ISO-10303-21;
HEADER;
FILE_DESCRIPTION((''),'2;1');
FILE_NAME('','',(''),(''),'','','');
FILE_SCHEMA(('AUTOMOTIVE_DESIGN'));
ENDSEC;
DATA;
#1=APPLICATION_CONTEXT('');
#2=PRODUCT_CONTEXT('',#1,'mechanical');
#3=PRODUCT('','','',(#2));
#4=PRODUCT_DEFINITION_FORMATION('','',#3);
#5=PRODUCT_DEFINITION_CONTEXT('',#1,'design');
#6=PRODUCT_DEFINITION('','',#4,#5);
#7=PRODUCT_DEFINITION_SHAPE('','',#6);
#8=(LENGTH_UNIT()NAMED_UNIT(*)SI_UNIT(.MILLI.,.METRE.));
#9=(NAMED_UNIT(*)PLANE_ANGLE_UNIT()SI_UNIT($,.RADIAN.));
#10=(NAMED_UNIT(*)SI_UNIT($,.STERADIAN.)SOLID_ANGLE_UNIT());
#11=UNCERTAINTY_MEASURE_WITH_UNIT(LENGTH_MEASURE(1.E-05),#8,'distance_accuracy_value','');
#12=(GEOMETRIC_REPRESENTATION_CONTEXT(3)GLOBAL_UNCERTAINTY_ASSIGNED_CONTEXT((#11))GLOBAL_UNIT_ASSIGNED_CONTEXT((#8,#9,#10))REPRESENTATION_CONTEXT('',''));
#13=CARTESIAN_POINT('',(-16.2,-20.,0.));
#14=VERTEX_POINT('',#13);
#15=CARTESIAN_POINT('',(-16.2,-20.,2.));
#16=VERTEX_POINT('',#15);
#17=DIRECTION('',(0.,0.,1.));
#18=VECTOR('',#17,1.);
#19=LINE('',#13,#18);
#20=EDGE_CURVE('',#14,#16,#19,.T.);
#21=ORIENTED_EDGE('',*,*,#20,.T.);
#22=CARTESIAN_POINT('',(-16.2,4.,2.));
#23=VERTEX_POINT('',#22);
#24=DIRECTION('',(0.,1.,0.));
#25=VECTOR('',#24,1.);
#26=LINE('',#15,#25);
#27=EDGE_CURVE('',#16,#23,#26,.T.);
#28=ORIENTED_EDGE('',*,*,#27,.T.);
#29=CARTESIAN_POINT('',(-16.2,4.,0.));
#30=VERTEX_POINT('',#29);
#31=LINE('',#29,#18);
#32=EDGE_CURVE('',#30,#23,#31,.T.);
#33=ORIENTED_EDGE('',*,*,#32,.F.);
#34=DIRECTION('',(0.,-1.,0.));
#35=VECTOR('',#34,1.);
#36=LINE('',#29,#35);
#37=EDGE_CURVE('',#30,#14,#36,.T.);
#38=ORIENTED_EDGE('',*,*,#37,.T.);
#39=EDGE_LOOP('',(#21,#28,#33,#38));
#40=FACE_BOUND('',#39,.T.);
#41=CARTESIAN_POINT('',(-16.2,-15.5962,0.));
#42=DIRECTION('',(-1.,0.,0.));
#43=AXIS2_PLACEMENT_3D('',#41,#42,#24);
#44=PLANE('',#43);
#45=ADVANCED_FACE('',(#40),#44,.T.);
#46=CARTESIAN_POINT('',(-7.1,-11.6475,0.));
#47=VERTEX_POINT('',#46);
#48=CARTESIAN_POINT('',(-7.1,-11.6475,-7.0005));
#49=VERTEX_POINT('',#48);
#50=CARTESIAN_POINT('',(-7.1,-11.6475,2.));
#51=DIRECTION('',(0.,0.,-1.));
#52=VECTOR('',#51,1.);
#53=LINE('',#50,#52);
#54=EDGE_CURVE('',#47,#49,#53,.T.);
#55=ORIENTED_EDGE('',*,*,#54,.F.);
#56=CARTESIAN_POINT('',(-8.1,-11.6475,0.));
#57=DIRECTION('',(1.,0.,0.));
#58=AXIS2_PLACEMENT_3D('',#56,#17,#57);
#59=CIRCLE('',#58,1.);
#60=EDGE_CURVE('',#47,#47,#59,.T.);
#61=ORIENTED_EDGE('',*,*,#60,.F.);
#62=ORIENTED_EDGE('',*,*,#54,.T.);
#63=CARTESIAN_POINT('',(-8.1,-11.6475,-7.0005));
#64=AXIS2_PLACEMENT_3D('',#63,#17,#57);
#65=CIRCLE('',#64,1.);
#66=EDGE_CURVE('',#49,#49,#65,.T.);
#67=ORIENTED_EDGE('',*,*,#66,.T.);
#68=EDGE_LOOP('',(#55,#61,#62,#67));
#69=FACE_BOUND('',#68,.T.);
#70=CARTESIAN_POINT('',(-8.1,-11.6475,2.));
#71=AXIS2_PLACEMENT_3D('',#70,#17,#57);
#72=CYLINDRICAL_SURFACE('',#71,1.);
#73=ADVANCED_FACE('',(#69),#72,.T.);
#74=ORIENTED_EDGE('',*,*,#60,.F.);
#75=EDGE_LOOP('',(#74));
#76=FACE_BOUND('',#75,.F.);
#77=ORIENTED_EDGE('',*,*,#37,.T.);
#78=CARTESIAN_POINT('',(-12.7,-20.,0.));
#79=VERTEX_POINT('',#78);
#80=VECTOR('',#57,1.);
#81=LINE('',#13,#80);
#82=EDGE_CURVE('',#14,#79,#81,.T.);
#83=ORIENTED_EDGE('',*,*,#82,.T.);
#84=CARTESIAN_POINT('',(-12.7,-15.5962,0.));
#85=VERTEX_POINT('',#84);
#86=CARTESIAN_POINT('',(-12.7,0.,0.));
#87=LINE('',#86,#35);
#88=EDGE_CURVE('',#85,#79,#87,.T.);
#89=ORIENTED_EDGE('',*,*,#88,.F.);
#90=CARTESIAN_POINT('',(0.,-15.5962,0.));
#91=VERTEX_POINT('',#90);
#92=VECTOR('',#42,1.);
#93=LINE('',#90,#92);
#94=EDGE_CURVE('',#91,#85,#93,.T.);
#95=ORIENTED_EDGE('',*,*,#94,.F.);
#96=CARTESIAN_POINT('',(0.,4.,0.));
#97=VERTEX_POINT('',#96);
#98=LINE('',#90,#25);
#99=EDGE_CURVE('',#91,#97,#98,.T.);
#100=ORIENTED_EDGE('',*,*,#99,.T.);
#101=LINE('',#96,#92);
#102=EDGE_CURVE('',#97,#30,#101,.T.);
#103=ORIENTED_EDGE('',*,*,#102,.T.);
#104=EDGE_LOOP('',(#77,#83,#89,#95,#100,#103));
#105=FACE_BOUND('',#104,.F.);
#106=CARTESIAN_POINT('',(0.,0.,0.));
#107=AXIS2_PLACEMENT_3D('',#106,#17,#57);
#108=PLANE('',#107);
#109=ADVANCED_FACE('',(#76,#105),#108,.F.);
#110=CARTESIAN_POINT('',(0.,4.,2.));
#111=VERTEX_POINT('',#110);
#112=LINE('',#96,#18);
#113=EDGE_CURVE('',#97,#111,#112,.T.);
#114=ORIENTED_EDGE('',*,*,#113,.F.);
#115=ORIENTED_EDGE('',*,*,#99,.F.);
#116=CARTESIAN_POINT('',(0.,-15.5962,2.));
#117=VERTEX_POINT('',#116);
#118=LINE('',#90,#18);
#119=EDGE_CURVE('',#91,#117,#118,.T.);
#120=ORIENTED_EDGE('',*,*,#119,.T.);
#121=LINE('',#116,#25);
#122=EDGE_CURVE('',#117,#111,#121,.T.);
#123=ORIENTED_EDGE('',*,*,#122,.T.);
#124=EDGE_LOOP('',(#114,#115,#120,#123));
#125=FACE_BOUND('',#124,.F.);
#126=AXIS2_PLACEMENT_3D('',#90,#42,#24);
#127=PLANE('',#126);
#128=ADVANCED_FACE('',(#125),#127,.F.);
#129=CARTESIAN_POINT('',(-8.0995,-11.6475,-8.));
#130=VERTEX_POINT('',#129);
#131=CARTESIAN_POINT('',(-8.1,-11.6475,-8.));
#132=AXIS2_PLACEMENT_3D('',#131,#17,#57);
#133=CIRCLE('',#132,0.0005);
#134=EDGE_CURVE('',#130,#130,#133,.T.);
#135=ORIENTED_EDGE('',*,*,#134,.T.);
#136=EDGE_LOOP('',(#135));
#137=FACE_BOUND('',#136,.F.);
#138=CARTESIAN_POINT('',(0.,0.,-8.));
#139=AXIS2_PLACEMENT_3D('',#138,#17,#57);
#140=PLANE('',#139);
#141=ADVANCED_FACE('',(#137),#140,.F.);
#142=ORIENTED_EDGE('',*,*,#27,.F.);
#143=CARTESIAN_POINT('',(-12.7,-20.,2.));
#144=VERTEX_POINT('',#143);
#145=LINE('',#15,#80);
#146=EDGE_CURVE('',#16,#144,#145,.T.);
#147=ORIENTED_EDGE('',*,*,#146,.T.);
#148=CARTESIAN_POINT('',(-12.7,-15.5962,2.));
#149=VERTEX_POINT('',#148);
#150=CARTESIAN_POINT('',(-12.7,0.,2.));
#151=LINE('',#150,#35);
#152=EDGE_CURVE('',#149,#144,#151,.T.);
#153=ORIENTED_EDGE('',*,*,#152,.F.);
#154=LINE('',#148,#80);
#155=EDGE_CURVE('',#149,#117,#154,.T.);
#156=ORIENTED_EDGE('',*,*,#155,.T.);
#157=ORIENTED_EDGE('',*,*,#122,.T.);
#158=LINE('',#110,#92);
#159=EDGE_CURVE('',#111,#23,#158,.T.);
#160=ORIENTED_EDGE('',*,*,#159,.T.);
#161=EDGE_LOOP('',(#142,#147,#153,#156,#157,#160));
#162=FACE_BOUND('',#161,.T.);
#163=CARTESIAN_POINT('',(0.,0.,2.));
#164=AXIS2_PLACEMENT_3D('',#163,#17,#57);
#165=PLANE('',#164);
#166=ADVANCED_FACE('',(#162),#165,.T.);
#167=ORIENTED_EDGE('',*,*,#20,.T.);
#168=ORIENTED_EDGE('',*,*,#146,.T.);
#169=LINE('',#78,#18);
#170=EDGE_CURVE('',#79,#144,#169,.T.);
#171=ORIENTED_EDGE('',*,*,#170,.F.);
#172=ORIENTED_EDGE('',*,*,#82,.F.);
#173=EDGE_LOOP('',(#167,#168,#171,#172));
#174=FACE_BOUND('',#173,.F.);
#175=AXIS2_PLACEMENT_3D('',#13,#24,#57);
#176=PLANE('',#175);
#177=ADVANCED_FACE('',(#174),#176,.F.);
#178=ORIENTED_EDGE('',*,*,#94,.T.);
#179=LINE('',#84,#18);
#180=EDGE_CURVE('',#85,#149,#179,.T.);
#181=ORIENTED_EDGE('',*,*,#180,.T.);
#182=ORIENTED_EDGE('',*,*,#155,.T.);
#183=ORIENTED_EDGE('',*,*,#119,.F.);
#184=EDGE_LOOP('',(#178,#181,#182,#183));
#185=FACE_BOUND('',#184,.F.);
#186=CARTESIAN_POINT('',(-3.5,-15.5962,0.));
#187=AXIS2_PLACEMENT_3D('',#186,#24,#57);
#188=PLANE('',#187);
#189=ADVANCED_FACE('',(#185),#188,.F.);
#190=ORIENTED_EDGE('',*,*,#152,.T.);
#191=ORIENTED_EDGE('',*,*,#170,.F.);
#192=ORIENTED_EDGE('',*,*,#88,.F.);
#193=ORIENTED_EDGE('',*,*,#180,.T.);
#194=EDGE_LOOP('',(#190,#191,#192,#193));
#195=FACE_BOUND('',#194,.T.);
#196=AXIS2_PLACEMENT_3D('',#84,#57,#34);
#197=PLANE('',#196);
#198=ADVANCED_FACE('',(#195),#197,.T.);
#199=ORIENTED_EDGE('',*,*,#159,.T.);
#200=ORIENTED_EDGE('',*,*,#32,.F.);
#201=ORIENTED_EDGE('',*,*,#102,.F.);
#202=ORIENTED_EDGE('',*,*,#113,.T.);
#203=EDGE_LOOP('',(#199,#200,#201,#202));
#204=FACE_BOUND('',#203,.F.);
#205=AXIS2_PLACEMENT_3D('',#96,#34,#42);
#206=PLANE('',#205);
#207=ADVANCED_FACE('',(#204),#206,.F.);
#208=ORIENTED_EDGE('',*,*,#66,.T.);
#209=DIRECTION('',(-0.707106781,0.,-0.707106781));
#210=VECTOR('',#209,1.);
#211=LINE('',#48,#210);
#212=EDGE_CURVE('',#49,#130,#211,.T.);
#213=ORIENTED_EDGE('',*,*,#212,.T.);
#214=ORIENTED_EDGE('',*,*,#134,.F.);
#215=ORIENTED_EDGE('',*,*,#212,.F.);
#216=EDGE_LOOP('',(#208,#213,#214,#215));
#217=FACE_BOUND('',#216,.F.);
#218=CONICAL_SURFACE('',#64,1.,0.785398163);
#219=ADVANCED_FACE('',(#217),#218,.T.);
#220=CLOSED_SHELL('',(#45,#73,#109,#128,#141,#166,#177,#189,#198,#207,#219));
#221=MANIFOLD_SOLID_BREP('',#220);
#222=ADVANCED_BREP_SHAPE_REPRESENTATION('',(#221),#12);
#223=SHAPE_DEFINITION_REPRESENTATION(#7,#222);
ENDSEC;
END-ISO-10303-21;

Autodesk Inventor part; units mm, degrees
ref_plane "YZ Plane" through (0, 0, 0) normal (1, 0, 0) x (0, 1, 0)
ref_plane "XZ Plane" through (0, 0, 0) normal (0, 1, 0) x (-1, 0, 0)
ref_plane "XY Plane" through (0, 0, 0) normal (0, 0, 1) x (1, 0, 0)
sketch "Sketch1" plane through (0, 0, 0) normal (0, 0, 1) x (1, 0, 0)
  line L0 (-3.5, 0) -> (-3.5, -20) projected
  line L1 (-3.5, -20) -> (0, -20) projected
  line L2 (-16.2, -20) -> (-16.2, 4) projected
  line L3 (-16.2, -20) -> (-12.7, -20) projected
  line L4 (-12.7, 0) -> (-12.7, -20) projected
  line L5 (0, 4) -> (-16.2, 4)
  line L6 (-16.2, 4) -> (-16.2, -15.5962)
  line L7 (-16.2, -15.5962) -> (0, -15.5962)
  line L8 (0, -15.5962) -> (0, 4)
  line L9 (0, -20) -> (0, 4) projected
  line L10 (-16.2, 4) -> (0, 4) projected
  line L11 (-12.7, 0) -> (-3.5, 0) projected
  point P0 (0, 0)
  point P1 (-12.7, -15.5962)
  point P2 (-3.5, -15.5962)
extrude "Extrusion1" add sketch "Sketch1" along normal blind 2 contours L11 L4 L7 L2 L5 L8 L0 | L0 L7 L4 L11 | L4 L3 L2 L7
sketch "Sketch2" plane through (0, 0, 2) normal (0, 0, 1) x (1, 0, 0)
  line L0 (0, -15.5962) -> (0, 4) projected
  line L1 (0, 4) -> (-16.2, 4) projected
  line L2 (-16.2, 4) -> (-16.2, -20) projected
  line L3 (-12.7, -15.5962) -> (0, -15.5962) projected
  circle A0 centre (-8.1, -11.6475) radius 1
  line L4 (-12.7, -20) -> (-12.7, -15.5962) projected
  line L5 (-16.2, -20) -> (-12.7, -20) projected
  point P0 (0, 0)
  dimension "d2" = 2
extrude "Extrusion2" add sketch "Sketch2" against normal blind 10 contours A0
chamfer "Chamfer1" distance 1 angle 45 1 edges at (-9.1, -11.6475, -8)
pattern_linear "Rectangular Pattern1" [suppressed]
properties part number "30_XY_Sample_lightsheetarm_sample_lid"
